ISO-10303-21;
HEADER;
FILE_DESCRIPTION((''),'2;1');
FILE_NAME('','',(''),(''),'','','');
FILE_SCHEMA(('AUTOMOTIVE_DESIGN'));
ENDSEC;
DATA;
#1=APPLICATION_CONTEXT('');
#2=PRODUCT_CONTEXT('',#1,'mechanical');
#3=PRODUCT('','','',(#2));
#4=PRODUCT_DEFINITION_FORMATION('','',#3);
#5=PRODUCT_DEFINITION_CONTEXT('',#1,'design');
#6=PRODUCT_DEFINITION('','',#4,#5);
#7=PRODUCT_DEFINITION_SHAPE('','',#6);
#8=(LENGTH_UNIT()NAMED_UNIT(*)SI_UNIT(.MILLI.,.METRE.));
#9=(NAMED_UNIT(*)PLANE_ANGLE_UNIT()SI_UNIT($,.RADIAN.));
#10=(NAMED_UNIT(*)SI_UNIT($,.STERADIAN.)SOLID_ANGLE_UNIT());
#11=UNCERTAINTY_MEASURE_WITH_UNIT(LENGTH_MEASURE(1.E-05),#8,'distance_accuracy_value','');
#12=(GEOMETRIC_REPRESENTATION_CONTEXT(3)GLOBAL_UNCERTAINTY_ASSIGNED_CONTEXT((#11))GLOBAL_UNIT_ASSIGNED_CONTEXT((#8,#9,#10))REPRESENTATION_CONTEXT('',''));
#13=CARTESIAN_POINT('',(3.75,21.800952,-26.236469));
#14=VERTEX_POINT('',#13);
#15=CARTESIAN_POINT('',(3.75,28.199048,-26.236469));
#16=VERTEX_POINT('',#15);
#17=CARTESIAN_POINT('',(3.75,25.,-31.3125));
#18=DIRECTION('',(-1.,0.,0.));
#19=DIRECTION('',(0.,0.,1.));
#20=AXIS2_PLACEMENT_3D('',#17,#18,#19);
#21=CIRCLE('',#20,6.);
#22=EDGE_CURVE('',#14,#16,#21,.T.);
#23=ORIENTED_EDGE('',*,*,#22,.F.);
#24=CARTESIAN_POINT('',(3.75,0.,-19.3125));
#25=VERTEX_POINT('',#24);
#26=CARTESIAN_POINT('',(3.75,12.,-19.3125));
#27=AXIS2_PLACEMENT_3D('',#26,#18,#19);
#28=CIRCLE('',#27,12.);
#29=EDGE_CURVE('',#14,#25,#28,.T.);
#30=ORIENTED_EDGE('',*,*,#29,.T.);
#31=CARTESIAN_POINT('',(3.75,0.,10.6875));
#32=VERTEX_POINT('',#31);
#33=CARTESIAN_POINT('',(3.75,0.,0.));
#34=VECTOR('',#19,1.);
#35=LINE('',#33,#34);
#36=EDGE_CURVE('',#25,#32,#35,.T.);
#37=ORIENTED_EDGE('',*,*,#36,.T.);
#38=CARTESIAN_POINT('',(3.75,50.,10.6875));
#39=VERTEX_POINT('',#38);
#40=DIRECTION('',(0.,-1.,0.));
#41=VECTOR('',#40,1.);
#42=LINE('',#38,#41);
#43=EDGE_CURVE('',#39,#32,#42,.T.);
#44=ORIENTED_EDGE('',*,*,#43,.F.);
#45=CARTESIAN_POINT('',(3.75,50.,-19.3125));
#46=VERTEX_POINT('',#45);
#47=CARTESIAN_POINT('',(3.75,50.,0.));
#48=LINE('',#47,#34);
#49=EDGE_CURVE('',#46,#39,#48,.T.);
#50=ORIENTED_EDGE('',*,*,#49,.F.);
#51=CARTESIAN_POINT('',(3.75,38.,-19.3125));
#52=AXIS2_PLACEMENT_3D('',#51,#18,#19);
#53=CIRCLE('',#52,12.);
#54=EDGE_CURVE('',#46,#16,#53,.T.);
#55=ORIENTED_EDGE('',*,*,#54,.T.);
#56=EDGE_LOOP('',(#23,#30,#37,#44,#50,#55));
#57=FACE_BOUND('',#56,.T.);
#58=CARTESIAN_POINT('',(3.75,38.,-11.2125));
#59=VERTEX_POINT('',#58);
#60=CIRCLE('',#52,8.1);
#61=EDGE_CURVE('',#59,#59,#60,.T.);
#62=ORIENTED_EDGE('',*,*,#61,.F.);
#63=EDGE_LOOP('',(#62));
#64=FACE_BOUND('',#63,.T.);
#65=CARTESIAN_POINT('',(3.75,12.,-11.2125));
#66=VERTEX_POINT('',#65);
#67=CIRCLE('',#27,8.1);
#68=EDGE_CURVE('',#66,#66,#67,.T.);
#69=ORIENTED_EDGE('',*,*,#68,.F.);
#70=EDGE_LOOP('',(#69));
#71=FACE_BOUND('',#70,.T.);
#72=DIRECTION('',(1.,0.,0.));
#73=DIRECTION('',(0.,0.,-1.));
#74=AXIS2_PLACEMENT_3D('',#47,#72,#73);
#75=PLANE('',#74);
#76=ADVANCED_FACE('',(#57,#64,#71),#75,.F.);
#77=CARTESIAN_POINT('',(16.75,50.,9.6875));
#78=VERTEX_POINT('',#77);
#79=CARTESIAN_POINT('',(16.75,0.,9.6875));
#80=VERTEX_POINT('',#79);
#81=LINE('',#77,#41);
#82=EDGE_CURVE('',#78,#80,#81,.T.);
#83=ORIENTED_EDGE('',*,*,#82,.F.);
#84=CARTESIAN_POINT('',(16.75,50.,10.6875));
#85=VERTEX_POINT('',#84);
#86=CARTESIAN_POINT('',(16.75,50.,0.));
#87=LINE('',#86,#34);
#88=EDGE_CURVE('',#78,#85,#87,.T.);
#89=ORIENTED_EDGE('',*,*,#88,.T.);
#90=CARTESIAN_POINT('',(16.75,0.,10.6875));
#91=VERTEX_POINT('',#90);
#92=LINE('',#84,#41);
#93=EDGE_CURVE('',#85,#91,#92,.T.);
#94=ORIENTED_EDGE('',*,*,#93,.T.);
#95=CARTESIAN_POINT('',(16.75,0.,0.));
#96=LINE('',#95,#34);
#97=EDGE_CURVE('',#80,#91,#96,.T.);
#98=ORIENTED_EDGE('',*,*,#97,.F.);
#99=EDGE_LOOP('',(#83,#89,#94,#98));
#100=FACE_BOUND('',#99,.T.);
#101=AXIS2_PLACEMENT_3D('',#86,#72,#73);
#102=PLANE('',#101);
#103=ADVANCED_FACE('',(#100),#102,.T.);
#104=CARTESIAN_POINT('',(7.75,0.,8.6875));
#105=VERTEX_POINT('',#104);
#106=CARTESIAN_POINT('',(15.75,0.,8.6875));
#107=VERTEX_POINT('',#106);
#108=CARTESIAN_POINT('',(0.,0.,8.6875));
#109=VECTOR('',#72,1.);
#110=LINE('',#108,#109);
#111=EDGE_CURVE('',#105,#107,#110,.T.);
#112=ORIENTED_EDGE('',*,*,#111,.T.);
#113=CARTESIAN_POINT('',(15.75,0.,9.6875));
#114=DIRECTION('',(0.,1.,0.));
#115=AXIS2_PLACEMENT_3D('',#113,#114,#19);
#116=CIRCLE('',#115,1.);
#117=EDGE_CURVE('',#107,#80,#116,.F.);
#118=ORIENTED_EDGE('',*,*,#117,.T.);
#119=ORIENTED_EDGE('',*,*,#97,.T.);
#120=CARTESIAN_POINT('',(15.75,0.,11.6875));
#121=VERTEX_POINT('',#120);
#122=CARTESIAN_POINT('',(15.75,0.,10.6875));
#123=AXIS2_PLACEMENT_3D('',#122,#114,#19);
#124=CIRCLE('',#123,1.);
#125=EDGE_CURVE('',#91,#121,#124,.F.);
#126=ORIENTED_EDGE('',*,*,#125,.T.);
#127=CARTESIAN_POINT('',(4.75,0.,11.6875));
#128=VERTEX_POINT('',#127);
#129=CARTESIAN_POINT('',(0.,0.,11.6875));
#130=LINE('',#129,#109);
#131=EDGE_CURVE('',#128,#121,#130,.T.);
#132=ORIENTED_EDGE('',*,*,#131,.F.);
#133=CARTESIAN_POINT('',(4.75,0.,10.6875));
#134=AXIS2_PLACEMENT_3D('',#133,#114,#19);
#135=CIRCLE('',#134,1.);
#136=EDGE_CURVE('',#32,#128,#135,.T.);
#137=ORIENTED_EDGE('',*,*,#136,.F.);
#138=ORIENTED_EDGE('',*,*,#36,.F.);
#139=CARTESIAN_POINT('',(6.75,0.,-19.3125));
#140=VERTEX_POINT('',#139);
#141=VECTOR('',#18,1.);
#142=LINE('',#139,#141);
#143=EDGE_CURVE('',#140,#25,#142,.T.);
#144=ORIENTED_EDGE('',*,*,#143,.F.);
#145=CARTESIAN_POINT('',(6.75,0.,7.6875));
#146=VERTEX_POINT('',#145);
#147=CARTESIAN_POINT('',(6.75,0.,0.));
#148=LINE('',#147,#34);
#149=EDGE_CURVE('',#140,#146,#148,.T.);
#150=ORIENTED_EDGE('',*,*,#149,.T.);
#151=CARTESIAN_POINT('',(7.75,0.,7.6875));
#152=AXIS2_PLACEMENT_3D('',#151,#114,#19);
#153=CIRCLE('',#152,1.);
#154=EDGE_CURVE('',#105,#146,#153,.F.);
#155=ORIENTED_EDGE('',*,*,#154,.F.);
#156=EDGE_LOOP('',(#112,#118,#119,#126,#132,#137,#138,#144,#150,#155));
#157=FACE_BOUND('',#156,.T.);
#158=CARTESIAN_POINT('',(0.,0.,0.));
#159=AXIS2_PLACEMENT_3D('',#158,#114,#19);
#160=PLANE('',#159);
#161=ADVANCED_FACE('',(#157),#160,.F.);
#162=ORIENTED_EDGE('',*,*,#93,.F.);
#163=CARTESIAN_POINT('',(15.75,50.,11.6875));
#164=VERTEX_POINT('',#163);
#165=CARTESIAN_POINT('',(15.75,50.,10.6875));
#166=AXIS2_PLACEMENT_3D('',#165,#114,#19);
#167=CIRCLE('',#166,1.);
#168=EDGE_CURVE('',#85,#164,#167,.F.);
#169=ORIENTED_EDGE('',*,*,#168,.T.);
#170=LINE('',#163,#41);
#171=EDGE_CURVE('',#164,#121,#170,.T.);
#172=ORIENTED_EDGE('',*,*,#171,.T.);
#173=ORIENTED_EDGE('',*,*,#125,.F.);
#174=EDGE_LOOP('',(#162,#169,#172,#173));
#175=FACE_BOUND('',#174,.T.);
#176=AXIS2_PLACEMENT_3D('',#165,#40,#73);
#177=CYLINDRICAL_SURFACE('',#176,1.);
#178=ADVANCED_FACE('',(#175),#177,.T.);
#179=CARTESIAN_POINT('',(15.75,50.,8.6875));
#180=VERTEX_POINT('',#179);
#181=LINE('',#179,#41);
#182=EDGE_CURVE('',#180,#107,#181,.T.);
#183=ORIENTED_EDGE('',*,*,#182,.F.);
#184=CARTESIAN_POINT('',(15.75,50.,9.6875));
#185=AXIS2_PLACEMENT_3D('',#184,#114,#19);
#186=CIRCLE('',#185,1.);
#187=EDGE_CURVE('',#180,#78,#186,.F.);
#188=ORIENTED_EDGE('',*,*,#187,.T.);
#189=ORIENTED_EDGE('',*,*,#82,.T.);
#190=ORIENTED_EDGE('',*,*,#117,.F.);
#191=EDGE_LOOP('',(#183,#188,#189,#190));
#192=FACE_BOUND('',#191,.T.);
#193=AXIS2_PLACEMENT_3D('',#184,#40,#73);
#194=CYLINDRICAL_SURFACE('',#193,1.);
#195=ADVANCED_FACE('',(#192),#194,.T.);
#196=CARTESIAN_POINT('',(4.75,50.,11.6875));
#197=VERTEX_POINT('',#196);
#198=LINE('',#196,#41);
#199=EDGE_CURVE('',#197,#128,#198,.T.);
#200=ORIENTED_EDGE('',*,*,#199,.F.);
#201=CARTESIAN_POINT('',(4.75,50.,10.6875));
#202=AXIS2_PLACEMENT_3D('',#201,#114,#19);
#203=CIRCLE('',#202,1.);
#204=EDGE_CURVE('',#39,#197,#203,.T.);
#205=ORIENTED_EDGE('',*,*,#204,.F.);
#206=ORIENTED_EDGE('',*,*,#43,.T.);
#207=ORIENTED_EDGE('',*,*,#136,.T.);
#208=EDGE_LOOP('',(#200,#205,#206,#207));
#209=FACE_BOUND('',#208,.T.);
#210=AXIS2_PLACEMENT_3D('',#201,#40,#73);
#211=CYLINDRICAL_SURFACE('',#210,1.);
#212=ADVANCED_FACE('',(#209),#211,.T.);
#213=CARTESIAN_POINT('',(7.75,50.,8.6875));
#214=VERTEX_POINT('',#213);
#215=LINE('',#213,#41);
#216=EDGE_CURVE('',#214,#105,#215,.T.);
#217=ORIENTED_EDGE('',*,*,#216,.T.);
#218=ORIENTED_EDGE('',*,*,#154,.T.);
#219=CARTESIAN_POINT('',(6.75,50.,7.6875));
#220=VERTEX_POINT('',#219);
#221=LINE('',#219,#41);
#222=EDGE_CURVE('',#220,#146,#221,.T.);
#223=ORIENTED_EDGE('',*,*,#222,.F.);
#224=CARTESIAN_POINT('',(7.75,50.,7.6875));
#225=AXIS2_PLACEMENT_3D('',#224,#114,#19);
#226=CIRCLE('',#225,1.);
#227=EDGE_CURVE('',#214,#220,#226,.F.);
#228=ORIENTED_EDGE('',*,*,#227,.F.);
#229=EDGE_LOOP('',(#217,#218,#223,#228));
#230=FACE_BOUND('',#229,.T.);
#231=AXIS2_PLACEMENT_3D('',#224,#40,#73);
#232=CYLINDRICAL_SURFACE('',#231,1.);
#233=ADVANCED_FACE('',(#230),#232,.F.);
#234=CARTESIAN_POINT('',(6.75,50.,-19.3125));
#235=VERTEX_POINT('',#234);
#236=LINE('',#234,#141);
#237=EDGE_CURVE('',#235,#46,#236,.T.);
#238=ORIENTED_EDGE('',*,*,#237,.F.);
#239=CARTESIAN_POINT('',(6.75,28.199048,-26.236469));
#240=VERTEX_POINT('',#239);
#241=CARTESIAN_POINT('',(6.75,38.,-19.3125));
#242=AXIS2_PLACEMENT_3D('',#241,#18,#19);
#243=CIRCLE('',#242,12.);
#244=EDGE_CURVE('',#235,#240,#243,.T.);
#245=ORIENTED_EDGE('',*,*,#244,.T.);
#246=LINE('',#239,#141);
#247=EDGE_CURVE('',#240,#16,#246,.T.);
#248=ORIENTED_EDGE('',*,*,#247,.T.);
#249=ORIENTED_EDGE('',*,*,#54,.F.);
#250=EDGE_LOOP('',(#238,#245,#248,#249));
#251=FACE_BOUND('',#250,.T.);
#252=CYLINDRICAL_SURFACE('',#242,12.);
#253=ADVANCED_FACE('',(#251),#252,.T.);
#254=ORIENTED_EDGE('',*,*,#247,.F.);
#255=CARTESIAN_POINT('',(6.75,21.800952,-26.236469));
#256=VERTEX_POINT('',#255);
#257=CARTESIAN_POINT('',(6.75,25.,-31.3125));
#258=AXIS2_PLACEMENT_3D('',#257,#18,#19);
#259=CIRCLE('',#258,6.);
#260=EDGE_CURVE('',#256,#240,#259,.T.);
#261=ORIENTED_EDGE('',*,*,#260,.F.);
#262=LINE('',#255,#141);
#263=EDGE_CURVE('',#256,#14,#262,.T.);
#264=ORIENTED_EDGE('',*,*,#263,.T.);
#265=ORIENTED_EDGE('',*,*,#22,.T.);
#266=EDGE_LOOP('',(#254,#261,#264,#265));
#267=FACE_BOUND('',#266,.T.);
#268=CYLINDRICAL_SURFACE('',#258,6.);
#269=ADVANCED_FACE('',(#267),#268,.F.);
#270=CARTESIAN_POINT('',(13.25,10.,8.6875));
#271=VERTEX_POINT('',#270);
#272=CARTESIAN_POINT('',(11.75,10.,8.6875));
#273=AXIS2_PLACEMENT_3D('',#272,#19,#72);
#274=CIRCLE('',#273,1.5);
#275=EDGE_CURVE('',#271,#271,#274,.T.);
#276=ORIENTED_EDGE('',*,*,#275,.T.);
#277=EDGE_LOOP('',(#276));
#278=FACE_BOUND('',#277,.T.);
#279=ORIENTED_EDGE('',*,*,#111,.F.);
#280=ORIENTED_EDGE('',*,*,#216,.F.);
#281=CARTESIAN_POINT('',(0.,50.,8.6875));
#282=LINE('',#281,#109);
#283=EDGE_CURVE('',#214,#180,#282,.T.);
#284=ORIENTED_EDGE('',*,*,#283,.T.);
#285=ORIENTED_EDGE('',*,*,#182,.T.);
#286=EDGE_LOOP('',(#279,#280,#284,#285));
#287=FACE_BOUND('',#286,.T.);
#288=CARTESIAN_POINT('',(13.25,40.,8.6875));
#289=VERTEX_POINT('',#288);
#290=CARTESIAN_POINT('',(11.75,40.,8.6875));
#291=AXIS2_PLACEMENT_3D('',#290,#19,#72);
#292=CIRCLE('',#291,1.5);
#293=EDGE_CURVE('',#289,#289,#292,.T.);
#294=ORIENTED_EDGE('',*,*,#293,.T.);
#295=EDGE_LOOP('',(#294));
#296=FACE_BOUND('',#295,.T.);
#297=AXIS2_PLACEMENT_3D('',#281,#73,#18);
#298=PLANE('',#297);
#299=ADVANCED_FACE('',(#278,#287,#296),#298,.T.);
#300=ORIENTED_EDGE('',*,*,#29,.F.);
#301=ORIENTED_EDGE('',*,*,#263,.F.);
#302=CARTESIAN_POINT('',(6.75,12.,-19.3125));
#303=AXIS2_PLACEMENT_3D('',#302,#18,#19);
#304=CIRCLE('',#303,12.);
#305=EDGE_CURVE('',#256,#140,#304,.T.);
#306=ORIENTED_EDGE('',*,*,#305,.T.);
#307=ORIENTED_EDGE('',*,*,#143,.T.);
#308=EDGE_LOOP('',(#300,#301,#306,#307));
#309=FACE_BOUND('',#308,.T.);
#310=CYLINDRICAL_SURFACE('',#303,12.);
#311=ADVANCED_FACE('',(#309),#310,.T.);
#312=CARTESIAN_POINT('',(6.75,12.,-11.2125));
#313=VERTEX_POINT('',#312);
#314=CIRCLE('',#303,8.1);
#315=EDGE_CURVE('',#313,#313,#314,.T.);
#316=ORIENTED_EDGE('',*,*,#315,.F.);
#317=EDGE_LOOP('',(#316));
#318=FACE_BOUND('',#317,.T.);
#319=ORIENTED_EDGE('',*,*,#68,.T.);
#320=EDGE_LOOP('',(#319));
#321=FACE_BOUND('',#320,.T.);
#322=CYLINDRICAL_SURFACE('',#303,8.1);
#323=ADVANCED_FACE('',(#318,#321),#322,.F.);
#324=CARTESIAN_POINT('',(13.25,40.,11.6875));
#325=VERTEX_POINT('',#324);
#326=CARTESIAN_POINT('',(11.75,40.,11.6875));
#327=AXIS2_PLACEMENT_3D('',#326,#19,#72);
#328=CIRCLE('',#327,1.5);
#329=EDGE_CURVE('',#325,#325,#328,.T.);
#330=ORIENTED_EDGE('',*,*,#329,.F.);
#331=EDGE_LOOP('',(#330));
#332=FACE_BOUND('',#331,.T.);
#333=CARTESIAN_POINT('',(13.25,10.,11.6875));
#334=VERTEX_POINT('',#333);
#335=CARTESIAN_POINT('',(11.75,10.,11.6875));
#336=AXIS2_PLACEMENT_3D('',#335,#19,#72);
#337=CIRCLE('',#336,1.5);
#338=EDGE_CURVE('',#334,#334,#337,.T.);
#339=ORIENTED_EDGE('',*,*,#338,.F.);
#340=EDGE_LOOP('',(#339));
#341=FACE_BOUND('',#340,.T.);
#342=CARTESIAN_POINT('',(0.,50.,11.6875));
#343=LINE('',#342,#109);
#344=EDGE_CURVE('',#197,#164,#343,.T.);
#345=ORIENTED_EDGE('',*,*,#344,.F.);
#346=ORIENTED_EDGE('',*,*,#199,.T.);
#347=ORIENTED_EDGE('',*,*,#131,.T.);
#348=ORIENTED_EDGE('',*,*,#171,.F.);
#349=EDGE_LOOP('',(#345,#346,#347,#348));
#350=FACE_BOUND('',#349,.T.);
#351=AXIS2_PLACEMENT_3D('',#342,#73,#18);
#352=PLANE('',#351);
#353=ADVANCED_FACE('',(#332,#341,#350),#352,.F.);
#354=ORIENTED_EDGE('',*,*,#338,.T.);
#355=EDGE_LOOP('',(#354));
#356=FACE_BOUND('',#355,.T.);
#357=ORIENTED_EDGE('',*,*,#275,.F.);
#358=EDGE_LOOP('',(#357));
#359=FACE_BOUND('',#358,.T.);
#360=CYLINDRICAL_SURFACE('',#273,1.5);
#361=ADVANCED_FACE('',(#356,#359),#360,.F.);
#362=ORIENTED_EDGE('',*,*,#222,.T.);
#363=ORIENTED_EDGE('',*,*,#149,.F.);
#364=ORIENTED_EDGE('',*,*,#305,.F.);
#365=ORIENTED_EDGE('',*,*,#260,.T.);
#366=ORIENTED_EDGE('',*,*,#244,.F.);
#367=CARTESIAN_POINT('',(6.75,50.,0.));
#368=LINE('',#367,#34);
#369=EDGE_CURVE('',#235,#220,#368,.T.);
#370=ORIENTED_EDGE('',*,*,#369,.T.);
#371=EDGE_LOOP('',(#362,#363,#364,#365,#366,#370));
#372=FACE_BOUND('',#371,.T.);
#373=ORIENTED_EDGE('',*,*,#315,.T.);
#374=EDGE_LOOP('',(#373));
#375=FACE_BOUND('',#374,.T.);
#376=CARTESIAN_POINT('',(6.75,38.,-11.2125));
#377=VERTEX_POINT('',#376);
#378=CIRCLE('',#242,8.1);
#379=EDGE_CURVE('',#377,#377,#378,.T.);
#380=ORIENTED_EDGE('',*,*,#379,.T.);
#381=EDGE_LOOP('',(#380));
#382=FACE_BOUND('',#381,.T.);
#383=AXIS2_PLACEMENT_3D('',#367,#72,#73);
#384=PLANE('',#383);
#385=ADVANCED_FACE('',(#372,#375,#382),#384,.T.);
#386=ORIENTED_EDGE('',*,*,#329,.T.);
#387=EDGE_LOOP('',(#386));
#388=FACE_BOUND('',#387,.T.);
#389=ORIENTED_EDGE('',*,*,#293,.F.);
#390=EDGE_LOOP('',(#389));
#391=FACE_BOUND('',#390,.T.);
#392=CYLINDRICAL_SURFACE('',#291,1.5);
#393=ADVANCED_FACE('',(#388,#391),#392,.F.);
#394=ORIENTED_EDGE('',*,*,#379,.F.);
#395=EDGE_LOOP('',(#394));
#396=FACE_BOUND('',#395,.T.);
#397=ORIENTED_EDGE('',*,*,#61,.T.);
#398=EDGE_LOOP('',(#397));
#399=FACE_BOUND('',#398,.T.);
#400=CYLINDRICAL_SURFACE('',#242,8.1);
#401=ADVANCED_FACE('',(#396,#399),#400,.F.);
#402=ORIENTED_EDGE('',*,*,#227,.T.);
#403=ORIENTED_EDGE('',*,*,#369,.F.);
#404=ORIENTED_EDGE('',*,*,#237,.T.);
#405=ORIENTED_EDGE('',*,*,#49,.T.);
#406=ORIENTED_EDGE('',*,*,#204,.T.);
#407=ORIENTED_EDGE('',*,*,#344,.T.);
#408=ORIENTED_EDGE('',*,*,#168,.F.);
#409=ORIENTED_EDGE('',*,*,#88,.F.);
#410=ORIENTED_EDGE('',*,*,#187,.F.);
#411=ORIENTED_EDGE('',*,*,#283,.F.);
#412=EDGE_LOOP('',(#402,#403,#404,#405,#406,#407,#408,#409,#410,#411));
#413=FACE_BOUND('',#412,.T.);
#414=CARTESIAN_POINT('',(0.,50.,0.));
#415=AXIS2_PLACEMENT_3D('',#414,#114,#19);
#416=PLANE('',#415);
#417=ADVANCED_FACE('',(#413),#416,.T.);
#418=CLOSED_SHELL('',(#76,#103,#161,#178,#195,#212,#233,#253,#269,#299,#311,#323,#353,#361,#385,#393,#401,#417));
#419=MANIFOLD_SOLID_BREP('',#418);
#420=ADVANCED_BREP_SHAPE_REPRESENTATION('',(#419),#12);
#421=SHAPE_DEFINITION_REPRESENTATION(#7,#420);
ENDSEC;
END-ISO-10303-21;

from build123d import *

# Parameters (mm, degrees)
BOSS_EXTRUDE1_DEPTH = 50
SKETCH2_R           = 1.5
CUT_EXTRUDE1_DEPTH  = 3
SKETCH3_R           = 8.1
CUT_EXTRUDE2_DEPTH  = 3


with BuildPart() as part:
    # Sketch1 → Boss-Extrude1 (new body)
    with BuildSketch(Plane(origin=(0, 0, 0), x_dir=(1, 0, 0), z_dir=(0, 1, 0))):
        with BuildLine():
            Line((3.75, 31.3125), (6.75, 31.3125))
            Line((6.75, 31.3125), (6.75, -7.6875))
            ThreePointArc((6.75, -7.6875), (7.042893219, -8.394606781), (7.75, -8.6875))
            Line((7.75, -8.6875), (15.75, -8.6875))
            ThreePointArc((15.75, -8.6875), (16.457106781, -8.980393219), (16.75, -9.6875))
            Line((16.75, -9.6875), (16.75, -10.6875))
            ThreePointArc((16.75, -10.6875), (16.457106781, -11.394606781), (15.75, -11.6875))
            Line((15.75, -11.6875), (4.75, -11.6875))
            ThreePointArc((4.75, -11.6875), (4.042893219, -11.394606781), (3.75, -10.6875))
            Line((3.75, -10.6875), (3.75, 31.3125))
        make_face()
    extrude(amount=BOSS_EXTRUDE1_DEPTH)

    # Sketch2 → Cut-Extrude1 (cut)
    with BuildSketch(Plane.XY.offset(11.6875)):
        with Locations((11.75, 40)):
            Circle(SKETCH2_R)
        with Locations((11.75, 10)):
            Circle(SKETCH2_R)
    extrude(amount=-CUT_EXTRUDE1_DEPTH, mode=Mode.SUBTRACT)

    # Sketch3 → Cut-Extrude2 (cut)
    with BuildSketch(Plane.ZY.offset(-3.75)):
        with BuildLine():
            Line((-31.3125, 0), (-19.3125, 0))
            ThreePointArc((-19.3125, 0), (-27.797781374, 3.514718626), (-31.3125, 12))
            Line((-31.3125, 12), (-31.3125, 0))
        make_face()
        with BuildLine():
            Line((-31.3125, 38), (-31.3125, 12))
            ThreePointArc((-31.3125, 12), (-29.968194023, 17.518712249), (-26.236469186, 21.800951521))
            ThreePointArc((-26.236469186, 21.800951521), (-25.3125, 25), (-26.236469186, 28.199048479))
            ThreePointArc((-26.236469186, 28.199048479), (-29.968194023, 32.481287751), (-31.3125, 38))
        make_face()
        with BuildLine():
            Line((-31.3125, 50), (-31.3125, 38))
            ThreePointArc((-31.3125, 38), (-27.797781374, 46.485281374), (-19.3125, 50))
            Line((-19.3125, 50), (-31.3125, 50))
        make_face()
        with Locations((-19.3125, 12)):
            Circle(SKETCH3_R)
        with Locations((-19.3125, 38)):
            Circle(SKETCH3_R)
    extrude(amount=-CUT_EXTRUDE2_DEPTH, mode=Mode.SUBTRACT)


solid = part.part
